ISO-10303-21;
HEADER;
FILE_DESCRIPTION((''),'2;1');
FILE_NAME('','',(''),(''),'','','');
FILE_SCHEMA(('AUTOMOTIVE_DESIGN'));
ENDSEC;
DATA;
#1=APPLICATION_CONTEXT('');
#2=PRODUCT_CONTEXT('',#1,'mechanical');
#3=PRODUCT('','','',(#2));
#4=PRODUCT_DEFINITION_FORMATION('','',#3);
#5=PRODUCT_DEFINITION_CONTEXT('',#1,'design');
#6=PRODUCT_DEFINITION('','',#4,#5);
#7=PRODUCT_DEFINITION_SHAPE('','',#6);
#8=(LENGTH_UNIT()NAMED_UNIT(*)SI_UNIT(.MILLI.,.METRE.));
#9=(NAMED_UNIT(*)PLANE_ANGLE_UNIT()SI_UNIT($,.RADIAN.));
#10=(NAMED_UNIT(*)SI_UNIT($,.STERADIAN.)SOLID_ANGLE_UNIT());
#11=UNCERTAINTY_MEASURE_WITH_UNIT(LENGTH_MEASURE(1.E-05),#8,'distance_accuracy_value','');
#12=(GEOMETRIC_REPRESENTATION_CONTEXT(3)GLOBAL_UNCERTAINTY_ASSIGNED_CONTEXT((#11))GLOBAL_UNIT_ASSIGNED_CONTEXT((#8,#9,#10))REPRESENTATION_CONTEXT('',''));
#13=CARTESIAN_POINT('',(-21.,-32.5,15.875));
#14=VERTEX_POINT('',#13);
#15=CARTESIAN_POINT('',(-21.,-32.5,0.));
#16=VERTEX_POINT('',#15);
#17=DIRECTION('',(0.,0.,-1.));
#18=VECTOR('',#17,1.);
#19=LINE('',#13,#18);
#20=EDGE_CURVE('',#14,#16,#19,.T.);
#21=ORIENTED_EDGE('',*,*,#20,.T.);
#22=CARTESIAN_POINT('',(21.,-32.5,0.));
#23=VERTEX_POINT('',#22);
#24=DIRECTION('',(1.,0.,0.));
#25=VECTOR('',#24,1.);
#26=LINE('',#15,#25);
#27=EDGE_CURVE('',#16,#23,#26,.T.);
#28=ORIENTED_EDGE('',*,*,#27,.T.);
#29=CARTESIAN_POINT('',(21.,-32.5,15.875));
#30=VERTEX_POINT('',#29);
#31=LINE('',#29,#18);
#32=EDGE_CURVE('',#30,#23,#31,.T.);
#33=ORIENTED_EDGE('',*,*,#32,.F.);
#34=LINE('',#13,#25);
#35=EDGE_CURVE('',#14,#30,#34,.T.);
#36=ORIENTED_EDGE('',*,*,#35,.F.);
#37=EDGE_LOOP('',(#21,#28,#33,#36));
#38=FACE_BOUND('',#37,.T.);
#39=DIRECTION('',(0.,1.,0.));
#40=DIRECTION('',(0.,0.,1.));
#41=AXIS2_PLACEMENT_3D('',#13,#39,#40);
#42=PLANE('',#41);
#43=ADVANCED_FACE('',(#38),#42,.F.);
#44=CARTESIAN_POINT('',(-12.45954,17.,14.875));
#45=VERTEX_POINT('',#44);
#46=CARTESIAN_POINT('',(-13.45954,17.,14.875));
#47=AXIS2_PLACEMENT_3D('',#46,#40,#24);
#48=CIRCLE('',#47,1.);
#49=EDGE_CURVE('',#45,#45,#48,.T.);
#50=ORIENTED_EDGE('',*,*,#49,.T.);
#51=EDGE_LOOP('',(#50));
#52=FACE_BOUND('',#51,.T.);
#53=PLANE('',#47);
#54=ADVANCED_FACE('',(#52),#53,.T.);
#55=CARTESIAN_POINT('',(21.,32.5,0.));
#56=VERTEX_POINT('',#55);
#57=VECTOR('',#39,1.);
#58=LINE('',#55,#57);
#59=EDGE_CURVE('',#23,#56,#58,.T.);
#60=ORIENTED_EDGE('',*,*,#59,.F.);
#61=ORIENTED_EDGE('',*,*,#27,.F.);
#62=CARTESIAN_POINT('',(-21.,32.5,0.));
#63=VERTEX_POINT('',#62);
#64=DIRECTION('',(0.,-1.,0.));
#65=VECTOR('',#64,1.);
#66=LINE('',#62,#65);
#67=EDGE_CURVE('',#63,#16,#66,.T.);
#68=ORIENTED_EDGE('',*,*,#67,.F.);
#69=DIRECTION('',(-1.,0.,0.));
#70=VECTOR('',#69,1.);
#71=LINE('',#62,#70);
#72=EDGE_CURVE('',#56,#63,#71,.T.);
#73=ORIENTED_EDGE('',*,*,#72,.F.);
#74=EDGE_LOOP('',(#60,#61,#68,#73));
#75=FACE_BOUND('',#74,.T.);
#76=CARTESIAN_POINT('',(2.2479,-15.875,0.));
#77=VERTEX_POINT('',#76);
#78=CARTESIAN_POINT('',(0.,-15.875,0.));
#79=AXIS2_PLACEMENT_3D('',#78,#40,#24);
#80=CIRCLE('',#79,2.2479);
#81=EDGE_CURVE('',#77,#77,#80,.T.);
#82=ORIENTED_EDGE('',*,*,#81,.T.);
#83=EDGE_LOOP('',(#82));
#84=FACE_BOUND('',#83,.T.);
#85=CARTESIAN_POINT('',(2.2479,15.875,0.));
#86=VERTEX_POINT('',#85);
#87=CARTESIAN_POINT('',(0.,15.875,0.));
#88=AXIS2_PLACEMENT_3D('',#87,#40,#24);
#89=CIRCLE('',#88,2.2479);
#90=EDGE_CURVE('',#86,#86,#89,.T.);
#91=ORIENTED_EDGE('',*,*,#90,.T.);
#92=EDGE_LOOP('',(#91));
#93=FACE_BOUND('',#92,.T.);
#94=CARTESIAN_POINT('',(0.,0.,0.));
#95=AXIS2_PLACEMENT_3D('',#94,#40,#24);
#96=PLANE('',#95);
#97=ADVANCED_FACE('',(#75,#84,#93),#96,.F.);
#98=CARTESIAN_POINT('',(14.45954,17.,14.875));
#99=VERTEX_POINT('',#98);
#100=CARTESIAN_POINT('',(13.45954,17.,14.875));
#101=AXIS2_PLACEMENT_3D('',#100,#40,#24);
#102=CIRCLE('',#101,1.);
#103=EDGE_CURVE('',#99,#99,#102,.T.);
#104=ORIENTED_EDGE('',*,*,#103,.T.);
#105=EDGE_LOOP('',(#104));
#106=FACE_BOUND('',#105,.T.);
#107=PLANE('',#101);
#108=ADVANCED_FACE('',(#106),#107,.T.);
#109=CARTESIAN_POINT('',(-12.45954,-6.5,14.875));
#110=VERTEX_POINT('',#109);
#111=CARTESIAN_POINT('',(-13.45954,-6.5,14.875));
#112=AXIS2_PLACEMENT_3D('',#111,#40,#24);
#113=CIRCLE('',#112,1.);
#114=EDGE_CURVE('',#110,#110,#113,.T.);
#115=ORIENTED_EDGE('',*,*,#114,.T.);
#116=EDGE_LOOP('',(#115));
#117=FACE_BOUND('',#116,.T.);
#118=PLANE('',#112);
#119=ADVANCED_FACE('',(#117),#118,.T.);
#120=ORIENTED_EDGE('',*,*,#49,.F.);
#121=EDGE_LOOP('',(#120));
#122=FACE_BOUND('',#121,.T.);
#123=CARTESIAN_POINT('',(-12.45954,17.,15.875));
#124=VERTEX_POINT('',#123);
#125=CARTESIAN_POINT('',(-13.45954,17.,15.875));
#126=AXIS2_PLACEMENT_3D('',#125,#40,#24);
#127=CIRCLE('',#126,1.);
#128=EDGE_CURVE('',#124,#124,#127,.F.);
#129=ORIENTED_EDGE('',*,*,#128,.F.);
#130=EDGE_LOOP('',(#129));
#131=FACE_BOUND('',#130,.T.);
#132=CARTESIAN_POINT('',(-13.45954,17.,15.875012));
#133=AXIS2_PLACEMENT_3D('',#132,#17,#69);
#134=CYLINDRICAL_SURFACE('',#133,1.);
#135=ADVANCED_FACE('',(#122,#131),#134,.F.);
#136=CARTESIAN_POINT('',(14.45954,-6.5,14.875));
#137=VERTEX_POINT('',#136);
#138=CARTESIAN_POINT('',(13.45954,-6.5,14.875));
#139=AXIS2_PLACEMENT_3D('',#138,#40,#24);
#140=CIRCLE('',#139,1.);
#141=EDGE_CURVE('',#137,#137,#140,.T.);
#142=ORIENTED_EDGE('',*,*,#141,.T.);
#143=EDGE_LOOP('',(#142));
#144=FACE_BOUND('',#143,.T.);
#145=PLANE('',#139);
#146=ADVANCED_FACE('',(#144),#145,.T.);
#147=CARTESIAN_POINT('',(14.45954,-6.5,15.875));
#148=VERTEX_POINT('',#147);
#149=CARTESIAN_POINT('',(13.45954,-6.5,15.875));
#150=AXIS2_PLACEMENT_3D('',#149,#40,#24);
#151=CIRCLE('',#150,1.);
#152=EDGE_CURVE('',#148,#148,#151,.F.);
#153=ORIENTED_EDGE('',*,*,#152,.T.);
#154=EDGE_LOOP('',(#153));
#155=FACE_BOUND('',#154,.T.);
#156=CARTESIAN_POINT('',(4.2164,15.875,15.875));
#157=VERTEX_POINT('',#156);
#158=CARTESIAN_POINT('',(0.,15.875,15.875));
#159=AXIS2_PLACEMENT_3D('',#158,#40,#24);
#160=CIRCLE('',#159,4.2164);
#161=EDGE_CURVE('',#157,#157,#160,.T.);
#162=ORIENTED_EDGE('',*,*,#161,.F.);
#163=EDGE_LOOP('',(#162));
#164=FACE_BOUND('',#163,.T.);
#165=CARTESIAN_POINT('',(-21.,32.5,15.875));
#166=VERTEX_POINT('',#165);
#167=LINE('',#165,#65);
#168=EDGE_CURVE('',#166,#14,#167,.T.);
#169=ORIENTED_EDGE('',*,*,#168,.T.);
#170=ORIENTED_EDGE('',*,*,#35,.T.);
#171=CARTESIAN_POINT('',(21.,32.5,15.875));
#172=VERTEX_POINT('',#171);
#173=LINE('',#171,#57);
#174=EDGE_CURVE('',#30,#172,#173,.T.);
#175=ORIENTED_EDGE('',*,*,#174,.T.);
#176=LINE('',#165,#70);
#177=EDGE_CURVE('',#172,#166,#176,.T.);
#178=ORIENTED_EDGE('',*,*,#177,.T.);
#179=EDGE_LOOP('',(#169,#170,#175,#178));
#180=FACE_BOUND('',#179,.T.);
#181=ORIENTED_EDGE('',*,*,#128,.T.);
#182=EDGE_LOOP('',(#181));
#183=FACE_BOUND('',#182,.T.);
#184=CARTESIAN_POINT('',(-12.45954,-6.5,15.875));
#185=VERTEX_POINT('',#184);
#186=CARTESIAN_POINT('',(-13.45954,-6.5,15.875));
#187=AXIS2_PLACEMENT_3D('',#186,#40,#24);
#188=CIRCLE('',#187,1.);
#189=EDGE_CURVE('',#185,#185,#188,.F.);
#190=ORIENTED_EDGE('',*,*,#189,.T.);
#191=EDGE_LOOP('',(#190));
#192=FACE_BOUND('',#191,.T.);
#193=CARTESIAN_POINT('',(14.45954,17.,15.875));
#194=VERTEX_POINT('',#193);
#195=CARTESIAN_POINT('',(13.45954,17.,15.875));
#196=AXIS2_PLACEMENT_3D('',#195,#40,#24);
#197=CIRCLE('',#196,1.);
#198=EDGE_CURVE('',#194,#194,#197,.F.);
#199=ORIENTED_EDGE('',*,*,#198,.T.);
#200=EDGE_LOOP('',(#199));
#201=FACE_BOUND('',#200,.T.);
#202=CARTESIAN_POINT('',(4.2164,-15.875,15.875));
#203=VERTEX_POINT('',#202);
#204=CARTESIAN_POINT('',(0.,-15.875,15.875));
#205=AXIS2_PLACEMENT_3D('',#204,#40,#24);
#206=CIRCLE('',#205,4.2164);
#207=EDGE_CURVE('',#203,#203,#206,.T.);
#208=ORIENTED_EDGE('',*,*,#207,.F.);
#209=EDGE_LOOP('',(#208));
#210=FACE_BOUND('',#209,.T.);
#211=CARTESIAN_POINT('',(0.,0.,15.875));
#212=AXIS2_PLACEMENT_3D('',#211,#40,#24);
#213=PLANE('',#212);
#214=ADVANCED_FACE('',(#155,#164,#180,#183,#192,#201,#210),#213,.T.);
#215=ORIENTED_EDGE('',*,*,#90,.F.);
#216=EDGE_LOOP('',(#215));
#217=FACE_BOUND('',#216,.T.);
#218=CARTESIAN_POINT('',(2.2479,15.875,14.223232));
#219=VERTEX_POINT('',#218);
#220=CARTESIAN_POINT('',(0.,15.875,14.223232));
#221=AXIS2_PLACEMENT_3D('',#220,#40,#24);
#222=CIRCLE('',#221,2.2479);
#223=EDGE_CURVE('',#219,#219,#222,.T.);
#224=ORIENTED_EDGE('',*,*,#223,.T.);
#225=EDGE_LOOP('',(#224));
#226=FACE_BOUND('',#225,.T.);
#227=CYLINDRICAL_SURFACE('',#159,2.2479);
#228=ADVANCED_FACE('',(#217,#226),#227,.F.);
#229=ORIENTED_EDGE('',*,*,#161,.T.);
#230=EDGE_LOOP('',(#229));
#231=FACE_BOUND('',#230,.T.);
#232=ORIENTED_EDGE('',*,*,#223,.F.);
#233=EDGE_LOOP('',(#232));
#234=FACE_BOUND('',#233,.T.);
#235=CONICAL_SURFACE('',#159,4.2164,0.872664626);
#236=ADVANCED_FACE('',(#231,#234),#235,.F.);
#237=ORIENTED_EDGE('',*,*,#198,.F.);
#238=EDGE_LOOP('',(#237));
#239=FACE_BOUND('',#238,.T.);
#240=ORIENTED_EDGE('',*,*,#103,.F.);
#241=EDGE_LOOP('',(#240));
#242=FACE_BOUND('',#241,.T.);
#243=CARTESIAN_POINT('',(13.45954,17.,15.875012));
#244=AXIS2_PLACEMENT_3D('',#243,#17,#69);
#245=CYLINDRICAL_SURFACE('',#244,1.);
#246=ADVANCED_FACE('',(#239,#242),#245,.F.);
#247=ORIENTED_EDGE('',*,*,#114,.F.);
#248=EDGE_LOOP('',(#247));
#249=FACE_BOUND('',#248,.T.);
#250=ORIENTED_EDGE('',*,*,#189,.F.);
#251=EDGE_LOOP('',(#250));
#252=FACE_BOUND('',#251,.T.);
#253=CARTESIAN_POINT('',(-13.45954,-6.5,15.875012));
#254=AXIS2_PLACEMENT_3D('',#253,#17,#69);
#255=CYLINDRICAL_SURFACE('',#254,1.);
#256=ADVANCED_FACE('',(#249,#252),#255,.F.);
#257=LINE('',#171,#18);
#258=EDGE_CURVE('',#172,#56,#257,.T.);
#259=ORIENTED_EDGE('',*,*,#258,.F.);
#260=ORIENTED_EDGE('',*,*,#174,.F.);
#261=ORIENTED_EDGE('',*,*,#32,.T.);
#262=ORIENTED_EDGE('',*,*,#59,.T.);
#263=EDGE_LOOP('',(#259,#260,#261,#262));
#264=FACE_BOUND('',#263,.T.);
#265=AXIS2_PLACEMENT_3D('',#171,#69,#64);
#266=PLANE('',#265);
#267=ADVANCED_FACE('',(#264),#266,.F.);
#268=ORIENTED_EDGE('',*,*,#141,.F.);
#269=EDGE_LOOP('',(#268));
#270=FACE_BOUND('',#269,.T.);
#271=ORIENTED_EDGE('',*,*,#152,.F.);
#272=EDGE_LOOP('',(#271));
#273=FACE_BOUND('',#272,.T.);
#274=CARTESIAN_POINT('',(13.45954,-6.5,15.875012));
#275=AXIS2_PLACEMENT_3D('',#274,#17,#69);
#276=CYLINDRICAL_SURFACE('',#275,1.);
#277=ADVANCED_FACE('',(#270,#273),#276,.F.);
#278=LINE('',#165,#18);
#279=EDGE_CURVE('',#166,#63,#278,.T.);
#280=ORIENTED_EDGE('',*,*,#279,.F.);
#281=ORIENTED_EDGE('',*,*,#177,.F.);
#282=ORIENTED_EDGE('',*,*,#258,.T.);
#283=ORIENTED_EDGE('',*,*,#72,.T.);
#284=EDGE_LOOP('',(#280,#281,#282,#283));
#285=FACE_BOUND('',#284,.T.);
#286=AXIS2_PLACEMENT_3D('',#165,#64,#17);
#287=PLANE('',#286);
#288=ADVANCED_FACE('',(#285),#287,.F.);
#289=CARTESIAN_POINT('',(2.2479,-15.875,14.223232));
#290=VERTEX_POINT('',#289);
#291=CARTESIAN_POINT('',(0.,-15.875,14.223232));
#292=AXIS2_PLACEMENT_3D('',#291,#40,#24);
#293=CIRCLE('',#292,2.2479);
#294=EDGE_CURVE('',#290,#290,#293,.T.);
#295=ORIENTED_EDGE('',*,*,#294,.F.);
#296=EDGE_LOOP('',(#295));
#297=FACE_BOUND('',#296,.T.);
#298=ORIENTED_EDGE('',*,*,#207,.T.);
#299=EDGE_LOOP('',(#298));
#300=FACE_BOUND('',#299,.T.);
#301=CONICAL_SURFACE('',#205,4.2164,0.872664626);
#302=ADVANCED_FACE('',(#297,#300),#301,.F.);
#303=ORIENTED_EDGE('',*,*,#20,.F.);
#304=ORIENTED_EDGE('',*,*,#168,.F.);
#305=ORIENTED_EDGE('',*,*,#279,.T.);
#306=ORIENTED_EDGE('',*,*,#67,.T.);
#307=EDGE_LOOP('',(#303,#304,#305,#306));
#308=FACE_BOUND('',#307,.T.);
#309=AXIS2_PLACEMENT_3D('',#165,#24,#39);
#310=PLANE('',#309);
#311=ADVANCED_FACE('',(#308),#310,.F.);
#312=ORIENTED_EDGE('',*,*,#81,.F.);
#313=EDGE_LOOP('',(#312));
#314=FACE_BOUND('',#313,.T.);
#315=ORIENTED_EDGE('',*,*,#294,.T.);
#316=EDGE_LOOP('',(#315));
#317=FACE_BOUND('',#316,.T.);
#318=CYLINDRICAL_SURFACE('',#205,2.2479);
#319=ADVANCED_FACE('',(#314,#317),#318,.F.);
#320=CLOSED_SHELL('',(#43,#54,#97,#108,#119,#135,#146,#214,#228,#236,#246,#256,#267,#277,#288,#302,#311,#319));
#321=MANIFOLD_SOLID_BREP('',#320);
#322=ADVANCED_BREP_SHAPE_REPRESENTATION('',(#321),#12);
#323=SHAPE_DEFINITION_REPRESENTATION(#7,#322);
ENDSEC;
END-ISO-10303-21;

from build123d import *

# Parameters (mm, degrees)
SKETCH1_W                                         = 42
SKETCH1_H                                         = 65
BOSS_EXTRUDE1_DEPTH                               = 15.875
SKETCH2_R                                         = 1
CUT_EXTRUDE1_DEPTH                                = 1
CUT_EXTRUDE1_DEPTH_BACK                           = 1
CSK_FOR_8_FLAT_HEAD_MACHINE_SCREW_100_D           = 4.4958
CSK_FOR_8_FLAT_HEAD_MACHINE_SCREW_100_CSINK_D     = 8.4328
CSK_FOR_8_FLAT_HEAD_MACHINE_SCREW_100_CSINK_ANGLE = 100


with BuildPart() as part:
    # Sketch1 → Boss-Extrude1 (new body)
    with BuildSketch(Plane.XY):
        Rectangle(SKETCH1_W, SKETCH1_H)
    extrude(amount=BOSS_EXTRUDE1_DEPTH)

    # Sketch2 → Cut-Extrude1 (cut, two sides)
    with BuildSketch(Plane.XY.offset(15.875)) as cut_extrude1_sk:
        with Locations((-13.459539776, -6.5)):
            Circle(SKETCH2_R)
        with Locations((-13.459539776, 17)):
            Circle(SKETCH2_R)
        with Locations((13.459539776, 17)):
            Circle(SKETCH2_R)
        with Locations((13.459539776, -6.5)):
            Circle(SKETCH2_R)
    extrude(amount=CUT_EXTRUDE1_DEPTH, mode=Mode.SUBTRACT)
    extrude(cut_extrude1_sk.sketch, amount=-CUT_EXTRUDE1_DEPTH_BACK, mode=Mode.SUBTRACT)

    # CSK for #8 Flat Head Machine Screw (100)1 (through all)
    with Locations(Plane.XY.offset(15.875)):
        with Locations((0, 15.875), (0, -15.875)):
            CounterSinkHole(CSK_FOR_8_FLAT_HEAD_MACHINE_SCREW_100_D / 2, CSK_FOR_8_FLAT_HEAD_MACHINE_SCREW_100_CSINK_D / 2, counter_sink_angle=CSK_FOR_8_FLAT_HEAD_MACHINE_SCREW_100_CSINK_ANGLE)


solid = part.part
